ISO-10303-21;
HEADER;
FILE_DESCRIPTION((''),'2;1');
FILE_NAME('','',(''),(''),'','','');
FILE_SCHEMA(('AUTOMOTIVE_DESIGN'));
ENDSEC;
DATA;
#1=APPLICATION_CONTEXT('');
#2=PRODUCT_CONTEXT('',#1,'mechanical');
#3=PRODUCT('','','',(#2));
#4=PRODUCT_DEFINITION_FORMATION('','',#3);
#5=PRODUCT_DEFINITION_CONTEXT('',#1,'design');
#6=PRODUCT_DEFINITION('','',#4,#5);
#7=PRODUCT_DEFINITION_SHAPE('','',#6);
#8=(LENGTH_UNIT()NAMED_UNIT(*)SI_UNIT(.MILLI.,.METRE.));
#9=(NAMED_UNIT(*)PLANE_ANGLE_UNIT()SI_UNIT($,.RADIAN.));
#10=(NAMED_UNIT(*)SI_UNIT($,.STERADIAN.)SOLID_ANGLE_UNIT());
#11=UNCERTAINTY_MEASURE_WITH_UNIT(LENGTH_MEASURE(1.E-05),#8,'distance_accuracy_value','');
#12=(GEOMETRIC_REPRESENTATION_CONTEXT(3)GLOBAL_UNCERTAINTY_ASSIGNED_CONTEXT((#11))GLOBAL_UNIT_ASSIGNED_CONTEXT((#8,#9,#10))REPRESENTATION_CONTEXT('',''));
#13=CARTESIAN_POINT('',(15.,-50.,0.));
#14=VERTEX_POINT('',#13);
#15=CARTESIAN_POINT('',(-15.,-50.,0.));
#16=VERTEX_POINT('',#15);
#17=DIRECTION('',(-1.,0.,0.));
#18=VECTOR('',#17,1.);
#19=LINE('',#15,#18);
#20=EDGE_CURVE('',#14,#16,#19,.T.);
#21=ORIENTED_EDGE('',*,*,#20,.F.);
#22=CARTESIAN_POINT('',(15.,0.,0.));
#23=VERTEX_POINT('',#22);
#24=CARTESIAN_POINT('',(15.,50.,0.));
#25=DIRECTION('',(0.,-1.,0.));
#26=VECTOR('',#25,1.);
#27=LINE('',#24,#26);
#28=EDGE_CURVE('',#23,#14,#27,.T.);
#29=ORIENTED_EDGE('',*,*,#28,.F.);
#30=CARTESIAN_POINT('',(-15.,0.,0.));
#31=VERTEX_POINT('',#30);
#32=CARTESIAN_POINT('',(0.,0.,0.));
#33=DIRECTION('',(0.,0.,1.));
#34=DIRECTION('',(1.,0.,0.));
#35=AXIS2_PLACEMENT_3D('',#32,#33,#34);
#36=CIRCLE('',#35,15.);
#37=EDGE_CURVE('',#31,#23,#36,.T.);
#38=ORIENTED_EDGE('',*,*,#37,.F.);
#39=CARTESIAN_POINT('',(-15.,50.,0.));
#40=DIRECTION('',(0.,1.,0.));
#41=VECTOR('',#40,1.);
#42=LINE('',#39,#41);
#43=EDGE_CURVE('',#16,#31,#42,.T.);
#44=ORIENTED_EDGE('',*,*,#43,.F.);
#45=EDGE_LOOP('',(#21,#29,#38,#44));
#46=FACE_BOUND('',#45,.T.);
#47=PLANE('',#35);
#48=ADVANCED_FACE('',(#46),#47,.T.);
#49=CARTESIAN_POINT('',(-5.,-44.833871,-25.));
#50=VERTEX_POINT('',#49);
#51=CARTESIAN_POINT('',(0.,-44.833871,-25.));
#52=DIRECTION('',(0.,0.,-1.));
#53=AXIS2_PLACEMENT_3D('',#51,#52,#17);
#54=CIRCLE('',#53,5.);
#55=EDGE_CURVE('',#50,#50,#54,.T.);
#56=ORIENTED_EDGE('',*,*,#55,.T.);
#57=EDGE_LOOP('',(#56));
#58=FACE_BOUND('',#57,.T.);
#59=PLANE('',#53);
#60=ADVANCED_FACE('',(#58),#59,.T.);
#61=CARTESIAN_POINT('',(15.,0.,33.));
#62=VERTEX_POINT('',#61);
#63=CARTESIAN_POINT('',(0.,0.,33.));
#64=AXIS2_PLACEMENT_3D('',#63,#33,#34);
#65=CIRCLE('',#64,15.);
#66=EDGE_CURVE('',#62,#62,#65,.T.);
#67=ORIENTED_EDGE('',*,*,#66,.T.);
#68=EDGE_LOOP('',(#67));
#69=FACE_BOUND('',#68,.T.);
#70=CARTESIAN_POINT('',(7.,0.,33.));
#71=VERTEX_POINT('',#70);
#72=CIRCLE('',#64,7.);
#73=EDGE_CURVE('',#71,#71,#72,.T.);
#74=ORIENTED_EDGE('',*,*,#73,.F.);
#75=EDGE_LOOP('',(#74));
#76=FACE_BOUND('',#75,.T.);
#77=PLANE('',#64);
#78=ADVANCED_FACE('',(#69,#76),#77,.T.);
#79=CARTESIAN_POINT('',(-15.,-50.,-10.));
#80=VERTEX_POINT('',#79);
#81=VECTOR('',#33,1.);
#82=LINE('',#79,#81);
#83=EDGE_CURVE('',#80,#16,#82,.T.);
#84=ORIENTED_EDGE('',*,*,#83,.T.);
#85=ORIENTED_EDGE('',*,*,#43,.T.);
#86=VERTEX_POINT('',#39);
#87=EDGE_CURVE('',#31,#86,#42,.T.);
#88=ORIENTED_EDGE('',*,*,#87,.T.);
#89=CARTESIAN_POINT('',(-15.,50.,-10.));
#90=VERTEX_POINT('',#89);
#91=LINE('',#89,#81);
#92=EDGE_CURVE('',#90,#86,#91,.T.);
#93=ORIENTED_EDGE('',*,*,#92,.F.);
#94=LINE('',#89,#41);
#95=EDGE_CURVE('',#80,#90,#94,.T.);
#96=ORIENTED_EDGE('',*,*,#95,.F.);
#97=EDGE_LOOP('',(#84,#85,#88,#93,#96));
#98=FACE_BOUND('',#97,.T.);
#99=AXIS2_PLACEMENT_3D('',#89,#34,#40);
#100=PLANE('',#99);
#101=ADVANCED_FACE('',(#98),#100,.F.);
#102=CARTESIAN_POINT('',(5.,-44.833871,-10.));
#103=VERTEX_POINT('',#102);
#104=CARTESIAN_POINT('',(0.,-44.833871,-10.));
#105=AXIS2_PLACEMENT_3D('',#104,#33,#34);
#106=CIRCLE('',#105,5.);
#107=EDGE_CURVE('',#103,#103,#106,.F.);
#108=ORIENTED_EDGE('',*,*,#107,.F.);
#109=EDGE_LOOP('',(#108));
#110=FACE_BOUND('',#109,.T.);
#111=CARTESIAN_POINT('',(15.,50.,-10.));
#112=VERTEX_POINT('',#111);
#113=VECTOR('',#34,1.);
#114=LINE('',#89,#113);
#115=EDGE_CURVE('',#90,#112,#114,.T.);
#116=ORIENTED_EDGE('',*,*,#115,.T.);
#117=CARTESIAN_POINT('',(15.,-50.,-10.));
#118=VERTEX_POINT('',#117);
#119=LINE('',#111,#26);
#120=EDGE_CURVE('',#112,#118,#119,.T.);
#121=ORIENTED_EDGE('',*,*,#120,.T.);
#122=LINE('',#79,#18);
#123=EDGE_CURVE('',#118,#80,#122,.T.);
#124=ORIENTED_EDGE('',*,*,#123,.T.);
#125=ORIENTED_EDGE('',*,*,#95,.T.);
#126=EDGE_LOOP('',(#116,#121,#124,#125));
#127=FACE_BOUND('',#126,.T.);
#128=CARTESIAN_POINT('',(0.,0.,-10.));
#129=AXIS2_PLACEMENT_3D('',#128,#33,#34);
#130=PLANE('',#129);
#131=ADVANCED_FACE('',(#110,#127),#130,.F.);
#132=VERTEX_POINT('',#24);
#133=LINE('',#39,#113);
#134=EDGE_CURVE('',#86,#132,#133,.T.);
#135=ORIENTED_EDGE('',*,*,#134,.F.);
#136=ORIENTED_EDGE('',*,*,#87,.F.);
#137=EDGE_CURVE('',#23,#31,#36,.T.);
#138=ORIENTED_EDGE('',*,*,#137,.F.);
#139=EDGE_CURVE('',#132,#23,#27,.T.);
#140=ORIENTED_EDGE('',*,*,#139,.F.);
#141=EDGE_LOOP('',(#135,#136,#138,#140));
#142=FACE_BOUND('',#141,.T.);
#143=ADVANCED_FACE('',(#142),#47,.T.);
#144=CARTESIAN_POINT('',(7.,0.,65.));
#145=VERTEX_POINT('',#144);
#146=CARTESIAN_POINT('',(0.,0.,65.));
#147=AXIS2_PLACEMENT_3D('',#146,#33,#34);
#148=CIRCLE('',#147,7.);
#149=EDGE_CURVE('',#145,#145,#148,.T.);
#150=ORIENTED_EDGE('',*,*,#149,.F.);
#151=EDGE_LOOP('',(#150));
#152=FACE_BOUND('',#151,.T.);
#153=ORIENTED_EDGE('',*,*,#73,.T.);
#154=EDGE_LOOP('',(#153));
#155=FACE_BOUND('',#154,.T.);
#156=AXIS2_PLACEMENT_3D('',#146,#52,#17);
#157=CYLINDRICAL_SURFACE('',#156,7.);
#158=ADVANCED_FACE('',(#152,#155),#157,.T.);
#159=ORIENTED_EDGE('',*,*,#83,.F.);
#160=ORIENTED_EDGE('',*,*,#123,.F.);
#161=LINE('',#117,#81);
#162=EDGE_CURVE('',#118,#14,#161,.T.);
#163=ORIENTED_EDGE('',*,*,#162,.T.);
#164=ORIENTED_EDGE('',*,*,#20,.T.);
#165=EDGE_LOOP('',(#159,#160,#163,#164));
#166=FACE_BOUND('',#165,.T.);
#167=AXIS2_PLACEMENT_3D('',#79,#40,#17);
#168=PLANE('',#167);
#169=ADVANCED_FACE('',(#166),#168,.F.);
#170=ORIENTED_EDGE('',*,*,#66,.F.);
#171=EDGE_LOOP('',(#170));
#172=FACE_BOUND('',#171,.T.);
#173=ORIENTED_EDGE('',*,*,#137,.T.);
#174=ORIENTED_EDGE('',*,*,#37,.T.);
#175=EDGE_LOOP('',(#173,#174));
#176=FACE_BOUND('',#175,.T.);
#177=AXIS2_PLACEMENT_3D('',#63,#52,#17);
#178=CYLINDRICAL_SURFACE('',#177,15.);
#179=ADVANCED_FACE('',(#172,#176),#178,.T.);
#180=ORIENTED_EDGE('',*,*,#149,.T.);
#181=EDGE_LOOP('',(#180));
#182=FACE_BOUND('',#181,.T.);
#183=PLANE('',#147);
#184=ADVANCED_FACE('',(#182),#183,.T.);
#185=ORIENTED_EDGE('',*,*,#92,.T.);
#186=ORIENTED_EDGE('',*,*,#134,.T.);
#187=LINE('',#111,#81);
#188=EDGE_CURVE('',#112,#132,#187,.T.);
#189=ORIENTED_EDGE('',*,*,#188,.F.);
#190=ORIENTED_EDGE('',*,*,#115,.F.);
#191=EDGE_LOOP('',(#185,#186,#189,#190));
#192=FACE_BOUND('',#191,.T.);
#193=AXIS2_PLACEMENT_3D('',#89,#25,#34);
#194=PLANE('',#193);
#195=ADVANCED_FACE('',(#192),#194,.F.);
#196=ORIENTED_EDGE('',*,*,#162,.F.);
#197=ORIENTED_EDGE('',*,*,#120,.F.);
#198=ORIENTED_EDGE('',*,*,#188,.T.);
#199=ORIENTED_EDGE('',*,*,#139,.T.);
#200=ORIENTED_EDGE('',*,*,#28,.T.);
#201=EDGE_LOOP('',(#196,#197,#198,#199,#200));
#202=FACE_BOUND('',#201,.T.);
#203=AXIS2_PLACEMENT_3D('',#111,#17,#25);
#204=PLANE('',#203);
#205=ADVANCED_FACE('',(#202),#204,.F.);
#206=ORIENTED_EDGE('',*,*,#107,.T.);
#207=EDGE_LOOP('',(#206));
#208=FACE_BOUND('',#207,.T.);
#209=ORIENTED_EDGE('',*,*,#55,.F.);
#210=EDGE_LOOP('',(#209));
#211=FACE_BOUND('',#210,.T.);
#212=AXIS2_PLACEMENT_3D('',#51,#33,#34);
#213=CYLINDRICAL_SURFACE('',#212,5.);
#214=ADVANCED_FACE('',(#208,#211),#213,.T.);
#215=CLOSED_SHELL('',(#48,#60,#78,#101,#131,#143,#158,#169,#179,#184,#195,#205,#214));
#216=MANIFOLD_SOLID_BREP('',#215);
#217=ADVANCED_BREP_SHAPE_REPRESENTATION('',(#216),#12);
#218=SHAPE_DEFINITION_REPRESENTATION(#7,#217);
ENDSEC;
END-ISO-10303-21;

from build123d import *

# Parameters (mm, degrees)
SKETCH1_R           = 7
BOSS_EXTRUDE1_DEPTH = 65
SKETCH1_3_R         = 15
SKETCH1_3_R_2       = 7
BOSS_EXTRUDE2_DEPTH = 33
SKETCH3_W           = 30
SKETCH3_H           = 100
BOSS_EXTRUDE4_DEPTH = 10
SKETCH4_R           = 5
BOSS_EXTRUDE5_DEPTH = 15


with BuildPart() as part:
    # Sketch1 → Boss-Extrude1 (new body)
    with BuildSketch(Plane.XY):
        Circle(SKETCH1_R)
    extrude(amount=BOSS_EXTRUDE1_DEPTH)

    # Sketch1<3> → Boss-Extrude2 (add)
    with BuildSketch(Plane.XY):
        Circle(SKETCH1_3_R)
        Circle(SKETCH1_3_R_2, mode=Mode.SUBTRACT)
    extrude(amount=BOSS_EXTRUDE2_DEPTH)

    # Sketch3 → Boss-Extrude4 (add)
    with BuildSketch(Plane(origin=(0, 0, 0), x_dir=(-1, 0, 0), z_dir=(0, 0, -1))):
        Rectangle(SKETCH3_W, SKETCH3_H)
    extrude(amount=BOSS_EXTRUDE4_DEPTH)

    # Sketch4 → Boss-Extrude5 (add)
    with BuildSketch(Plane(origin=(0, 0, -10), x_dir=(-1, 0, 0), z_dir=(0, 0, -1))):
        with Locations((0, -44.833870937)):
            Circle(SKETCH4_R)
    extrude(amount=BOSS_EXTRUDE5_DEPTH)


solid = part.part
